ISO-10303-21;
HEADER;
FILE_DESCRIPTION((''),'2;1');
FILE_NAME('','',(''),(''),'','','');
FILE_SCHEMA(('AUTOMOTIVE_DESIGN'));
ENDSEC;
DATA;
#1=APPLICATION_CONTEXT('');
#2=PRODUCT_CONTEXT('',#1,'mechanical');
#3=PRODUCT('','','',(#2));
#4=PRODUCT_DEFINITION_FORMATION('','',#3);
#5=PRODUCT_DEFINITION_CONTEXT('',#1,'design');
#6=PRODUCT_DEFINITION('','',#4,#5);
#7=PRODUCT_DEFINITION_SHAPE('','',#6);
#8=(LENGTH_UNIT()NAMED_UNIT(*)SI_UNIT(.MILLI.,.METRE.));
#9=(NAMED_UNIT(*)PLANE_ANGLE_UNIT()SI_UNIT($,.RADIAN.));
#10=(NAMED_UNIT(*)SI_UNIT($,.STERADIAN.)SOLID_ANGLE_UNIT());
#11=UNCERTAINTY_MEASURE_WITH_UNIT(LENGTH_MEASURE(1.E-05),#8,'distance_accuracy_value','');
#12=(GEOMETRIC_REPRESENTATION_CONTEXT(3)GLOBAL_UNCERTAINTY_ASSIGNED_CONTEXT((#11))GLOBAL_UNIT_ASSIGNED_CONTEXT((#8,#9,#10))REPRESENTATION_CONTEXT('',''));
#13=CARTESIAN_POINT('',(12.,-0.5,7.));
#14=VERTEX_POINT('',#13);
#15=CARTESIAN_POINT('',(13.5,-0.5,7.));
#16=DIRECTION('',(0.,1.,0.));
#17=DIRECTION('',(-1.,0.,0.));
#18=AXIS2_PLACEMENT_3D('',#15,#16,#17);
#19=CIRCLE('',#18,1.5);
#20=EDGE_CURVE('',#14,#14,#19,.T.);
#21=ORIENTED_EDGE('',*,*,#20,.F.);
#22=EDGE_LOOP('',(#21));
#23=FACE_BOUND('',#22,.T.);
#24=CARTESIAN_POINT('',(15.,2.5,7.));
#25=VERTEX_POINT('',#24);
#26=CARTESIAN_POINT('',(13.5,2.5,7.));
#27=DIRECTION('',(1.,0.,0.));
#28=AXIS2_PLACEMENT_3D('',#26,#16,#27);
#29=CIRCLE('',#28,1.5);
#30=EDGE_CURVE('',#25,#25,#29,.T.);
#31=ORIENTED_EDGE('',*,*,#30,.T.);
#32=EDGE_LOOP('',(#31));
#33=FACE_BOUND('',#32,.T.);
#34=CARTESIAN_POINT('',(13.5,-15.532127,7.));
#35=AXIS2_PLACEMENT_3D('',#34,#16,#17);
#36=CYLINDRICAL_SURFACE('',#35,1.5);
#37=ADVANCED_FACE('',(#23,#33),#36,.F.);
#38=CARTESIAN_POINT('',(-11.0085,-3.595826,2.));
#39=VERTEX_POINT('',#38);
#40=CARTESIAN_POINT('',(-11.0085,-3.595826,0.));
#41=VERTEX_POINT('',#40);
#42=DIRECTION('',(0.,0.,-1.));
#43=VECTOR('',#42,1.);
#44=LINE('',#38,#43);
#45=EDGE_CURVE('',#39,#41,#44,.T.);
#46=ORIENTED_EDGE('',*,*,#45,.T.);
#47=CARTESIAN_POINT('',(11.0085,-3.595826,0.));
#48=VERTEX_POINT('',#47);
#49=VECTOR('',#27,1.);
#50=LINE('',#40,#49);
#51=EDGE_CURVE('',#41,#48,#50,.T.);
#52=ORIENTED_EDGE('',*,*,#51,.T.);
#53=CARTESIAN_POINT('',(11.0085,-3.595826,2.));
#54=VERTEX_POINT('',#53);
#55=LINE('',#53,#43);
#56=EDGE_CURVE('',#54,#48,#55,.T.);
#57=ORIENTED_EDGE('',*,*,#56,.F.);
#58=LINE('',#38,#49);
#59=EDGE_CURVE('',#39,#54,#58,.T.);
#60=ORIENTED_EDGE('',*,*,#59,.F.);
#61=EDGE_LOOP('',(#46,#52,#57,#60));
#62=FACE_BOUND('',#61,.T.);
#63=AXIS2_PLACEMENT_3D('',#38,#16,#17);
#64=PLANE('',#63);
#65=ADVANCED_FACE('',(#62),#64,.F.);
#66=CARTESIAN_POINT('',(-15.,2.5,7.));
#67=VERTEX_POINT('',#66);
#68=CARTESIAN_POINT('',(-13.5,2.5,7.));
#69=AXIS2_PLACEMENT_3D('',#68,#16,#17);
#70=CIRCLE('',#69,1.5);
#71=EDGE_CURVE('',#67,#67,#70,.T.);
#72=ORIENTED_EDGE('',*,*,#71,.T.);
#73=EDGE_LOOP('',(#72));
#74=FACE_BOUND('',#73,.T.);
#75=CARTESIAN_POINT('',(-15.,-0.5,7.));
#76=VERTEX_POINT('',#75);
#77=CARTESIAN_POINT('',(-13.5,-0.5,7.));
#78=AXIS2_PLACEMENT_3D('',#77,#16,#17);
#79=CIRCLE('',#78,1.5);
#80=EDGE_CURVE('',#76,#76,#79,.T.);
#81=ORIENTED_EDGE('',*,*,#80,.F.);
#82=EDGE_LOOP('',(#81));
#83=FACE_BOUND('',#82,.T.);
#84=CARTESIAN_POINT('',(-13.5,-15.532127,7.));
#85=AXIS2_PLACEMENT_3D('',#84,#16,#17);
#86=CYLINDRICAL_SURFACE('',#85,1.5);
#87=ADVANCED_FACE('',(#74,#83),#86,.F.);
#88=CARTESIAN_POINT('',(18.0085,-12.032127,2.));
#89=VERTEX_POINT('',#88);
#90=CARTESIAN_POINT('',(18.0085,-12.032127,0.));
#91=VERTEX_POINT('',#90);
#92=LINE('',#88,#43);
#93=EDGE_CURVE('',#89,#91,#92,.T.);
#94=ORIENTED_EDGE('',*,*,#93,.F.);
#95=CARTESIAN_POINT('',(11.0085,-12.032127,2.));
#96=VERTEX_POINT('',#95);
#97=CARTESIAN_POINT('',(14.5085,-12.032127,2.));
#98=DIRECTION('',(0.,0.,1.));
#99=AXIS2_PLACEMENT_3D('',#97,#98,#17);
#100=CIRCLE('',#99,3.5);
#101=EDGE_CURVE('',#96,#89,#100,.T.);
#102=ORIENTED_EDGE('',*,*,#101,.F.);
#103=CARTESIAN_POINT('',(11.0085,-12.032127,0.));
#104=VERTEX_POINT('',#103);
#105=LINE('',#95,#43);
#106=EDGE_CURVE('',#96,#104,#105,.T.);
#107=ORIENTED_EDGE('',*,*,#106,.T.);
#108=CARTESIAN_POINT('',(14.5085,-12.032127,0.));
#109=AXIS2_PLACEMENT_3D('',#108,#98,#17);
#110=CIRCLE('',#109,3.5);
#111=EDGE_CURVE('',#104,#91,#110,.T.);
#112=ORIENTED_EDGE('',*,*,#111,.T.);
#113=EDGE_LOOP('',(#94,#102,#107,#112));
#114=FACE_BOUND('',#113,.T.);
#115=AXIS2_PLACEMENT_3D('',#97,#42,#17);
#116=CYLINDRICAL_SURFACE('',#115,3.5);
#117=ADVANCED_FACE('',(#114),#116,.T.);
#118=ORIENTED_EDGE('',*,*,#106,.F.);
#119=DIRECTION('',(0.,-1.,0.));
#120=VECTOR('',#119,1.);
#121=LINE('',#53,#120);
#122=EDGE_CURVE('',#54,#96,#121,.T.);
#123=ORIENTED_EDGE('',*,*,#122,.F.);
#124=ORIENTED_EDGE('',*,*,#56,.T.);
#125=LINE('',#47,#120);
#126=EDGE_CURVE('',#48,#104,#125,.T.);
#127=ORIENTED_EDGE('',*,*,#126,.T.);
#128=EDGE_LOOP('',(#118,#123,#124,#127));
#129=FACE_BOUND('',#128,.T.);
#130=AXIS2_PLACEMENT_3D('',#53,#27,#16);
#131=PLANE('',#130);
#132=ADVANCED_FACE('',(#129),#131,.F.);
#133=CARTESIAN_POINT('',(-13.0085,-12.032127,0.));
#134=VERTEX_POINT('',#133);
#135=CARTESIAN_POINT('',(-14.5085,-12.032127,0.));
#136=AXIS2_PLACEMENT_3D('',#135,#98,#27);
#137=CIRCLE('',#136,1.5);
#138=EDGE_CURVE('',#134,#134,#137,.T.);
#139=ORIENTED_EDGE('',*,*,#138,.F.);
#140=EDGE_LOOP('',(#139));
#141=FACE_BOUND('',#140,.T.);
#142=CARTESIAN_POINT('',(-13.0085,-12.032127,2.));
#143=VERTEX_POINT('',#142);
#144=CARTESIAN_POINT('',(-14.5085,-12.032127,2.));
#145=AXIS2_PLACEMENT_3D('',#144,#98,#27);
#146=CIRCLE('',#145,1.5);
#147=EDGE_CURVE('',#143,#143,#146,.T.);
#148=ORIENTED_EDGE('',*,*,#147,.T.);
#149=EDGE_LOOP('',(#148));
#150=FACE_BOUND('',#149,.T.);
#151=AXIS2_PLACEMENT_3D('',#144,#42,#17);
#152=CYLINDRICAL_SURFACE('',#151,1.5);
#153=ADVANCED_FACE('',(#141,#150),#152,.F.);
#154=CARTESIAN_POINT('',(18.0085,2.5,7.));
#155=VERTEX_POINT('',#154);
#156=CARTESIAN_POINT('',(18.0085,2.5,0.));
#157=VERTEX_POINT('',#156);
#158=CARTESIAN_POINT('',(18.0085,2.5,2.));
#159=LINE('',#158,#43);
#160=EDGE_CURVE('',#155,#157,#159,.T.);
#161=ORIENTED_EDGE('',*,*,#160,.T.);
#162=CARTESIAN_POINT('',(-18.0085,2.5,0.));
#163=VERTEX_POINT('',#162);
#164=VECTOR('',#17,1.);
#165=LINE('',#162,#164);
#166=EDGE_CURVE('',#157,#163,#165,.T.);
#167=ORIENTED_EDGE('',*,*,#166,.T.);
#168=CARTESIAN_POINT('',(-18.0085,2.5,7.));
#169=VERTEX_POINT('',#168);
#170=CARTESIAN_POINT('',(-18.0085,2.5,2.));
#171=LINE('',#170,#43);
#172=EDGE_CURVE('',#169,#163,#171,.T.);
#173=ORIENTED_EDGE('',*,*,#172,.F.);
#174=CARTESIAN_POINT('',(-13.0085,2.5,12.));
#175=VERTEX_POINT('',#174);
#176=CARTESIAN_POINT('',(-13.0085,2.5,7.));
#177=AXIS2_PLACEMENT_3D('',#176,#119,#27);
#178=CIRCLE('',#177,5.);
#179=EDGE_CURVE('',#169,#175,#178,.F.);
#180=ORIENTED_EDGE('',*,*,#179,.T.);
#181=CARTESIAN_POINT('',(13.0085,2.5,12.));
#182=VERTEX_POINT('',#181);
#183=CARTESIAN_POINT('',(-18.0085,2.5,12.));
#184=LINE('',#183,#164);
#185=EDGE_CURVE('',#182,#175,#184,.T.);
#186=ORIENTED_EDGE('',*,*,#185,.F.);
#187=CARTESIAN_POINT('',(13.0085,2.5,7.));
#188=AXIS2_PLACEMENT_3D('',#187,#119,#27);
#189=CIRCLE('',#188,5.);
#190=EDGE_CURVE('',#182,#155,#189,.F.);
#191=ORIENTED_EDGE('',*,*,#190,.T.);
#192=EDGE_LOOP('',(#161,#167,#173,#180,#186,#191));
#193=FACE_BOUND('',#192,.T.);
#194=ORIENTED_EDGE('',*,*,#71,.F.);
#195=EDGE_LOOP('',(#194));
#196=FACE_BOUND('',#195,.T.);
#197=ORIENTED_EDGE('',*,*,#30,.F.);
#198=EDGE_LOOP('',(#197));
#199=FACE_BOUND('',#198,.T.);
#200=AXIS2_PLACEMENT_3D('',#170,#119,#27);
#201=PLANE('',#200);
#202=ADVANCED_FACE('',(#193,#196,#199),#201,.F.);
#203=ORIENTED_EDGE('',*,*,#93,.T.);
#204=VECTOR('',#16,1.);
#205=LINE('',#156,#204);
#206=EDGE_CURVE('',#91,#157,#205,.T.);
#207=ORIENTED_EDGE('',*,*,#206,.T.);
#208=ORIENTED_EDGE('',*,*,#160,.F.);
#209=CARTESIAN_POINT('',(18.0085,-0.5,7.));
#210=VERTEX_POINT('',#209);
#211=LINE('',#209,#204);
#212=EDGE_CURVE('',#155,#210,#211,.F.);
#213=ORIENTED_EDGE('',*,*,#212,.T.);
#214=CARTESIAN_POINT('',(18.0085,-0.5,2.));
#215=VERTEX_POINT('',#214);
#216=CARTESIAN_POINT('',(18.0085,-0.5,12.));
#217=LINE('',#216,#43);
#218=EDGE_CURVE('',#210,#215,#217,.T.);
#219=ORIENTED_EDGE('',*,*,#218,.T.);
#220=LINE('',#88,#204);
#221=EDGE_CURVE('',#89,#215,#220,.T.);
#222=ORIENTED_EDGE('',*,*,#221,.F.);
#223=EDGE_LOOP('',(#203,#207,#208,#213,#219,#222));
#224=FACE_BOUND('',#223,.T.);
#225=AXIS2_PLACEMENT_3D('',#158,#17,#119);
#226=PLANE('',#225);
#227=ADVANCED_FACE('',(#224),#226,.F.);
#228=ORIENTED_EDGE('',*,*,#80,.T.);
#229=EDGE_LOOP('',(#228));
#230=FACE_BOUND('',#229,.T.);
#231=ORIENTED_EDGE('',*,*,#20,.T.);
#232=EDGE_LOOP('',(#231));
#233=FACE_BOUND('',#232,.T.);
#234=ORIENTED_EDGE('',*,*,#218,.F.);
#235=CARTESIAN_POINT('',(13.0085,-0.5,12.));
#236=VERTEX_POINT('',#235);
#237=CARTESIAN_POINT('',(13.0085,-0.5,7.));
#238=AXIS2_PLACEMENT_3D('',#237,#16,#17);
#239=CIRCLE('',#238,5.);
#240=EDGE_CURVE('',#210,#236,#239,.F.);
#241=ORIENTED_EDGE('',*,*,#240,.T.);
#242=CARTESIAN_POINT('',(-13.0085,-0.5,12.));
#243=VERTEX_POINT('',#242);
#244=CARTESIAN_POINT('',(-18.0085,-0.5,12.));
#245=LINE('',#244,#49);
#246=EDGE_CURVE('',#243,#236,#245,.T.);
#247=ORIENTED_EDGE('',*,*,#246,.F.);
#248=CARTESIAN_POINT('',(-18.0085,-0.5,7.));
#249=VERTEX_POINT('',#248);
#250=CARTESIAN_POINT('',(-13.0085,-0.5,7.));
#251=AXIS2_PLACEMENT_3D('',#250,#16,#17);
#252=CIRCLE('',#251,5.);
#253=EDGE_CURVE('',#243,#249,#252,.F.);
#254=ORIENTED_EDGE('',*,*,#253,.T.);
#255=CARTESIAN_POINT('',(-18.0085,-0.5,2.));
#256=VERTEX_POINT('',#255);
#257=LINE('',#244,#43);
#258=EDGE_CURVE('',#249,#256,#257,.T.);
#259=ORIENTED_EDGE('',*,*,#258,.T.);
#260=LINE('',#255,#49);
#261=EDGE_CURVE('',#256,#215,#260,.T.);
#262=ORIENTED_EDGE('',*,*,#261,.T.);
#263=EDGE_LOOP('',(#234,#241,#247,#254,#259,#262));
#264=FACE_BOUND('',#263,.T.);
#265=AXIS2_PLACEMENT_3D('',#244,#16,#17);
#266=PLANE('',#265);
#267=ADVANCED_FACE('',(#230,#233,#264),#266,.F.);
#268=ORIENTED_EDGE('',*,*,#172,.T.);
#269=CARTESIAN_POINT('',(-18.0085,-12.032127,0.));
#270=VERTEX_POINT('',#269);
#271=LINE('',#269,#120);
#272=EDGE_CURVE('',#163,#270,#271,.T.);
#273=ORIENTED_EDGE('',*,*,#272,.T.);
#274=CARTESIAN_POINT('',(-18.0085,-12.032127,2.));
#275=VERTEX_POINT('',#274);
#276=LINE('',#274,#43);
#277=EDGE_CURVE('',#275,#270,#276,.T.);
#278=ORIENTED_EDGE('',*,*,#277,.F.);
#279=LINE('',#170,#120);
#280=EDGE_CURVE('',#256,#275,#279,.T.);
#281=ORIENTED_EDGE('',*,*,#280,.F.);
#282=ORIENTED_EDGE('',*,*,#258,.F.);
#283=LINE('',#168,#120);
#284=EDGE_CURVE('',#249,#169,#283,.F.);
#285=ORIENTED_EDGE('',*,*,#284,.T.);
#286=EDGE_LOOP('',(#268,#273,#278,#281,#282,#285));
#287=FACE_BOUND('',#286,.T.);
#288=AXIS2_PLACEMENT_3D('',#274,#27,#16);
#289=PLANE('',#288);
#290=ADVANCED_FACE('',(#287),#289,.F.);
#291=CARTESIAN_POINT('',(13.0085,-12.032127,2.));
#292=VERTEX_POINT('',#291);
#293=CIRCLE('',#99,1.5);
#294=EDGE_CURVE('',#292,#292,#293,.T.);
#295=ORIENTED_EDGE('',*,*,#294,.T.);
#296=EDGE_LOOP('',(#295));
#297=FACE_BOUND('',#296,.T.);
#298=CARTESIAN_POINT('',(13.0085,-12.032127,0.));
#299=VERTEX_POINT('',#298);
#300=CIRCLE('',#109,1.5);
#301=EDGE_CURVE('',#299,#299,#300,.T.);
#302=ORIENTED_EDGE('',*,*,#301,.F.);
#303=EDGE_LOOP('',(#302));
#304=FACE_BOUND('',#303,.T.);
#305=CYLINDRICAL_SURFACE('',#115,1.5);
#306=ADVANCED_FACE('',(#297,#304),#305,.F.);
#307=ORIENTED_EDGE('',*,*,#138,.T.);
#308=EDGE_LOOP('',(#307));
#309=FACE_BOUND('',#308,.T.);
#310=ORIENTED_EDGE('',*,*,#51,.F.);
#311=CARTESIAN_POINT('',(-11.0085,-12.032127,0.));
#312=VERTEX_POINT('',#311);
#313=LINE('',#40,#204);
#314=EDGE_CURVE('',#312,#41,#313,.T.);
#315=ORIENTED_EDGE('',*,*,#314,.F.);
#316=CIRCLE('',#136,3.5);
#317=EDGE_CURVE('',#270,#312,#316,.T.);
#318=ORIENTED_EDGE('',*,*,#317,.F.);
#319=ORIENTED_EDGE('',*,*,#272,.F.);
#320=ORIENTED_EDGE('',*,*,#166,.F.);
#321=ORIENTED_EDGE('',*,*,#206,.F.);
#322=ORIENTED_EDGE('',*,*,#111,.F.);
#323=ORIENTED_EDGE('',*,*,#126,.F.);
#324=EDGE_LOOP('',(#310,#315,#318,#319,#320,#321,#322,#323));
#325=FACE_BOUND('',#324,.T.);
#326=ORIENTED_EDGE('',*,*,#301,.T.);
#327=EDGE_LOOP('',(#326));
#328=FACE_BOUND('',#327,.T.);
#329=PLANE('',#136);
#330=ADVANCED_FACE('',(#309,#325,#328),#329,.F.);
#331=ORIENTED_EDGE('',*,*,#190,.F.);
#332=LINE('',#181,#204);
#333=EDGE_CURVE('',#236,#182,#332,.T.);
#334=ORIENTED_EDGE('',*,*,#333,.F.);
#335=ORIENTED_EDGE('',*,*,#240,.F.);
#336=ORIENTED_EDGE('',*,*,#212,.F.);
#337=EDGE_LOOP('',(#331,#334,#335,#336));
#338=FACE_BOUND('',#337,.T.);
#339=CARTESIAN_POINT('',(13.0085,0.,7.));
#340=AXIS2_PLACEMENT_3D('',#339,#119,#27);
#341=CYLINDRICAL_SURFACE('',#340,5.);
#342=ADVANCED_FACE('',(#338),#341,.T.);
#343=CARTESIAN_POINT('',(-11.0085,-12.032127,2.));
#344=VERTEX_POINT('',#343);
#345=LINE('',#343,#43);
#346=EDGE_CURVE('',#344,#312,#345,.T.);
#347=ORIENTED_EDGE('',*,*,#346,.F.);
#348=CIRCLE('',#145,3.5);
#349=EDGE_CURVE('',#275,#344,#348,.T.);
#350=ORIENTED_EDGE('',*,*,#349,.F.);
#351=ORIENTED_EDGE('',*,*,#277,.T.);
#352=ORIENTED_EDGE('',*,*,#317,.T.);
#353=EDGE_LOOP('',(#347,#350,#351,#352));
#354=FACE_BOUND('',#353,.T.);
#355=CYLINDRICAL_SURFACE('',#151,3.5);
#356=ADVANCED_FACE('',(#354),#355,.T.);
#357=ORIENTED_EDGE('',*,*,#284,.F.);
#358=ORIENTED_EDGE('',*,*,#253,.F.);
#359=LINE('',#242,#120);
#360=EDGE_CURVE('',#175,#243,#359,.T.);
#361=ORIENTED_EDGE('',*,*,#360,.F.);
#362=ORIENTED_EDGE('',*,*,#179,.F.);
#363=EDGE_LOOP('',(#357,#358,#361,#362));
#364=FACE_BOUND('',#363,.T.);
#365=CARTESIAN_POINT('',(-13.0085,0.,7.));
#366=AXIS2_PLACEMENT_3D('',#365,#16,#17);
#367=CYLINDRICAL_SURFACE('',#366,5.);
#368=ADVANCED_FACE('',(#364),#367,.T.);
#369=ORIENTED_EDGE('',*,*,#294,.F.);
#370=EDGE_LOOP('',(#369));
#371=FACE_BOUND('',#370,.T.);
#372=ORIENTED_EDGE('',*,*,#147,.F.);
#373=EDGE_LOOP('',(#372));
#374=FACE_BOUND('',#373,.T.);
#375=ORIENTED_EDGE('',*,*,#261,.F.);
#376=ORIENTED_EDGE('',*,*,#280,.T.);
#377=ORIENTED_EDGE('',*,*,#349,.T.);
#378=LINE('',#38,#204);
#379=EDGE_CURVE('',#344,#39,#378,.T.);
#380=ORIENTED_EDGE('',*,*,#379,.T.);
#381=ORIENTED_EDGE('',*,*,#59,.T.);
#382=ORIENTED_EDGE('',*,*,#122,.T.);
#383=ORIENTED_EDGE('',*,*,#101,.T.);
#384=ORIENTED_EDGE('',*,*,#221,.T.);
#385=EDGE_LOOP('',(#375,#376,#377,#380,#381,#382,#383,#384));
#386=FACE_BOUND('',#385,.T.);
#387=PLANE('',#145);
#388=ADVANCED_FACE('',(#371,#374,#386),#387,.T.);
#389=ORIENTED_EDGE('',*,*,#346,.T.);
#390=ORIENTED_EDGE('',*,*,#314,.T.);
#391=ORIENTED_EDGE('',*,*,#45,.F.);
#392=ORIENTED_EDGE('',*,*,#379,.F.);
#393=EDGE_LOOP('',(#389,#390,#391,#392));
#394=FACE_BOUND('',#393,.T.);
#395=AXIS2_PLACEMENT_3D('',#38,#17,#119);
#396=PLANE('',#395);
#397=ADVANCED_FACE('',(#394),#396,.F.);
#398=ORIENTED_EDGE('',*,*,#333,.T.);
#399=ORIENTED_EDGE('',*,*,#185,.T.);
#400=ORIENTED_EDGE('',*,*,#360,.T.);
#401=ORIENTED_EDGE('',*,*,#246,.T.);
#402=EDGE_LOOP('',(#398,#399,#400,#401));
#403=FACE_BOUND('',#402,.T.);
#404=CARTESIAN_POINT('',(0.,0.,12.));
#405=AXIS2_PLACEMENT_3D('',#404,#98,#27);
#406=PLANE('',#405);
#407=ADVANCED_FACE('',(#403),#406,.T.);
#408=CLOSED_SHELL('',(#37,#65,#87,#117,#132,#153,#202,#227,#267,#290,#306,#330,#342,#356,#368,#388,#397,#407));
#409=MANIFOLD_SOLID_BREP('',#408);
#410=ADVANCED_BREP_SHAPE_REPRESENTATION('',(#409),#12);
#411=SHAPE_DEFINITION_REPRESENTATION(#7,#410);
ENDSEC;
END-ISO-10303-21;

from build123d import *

# Parameters (mm, degrees)
SKETCH_1_R          = 1.5
EXTRUDE_1_DEPTH     = 2
SKETCH_2_W          = 36.017
SKETCH_2_H          = 3
EXTRUDE_2_DEPTH     = 10
SKETCH_3_R          = 1.5
CUT_EXTRUDE_1_DEPTH = 29.168487204
FILLET_1_R          = 5


with BuildPart() as part:
    # 草图1 → 凸台-拉伸1 (new body)
    with BuildSketch(Plane.XY):
        with BuildLine():
            Line((-18.0085, 2.5), (18.0085, 2.5))
            Line((18.0085, 2.5), (18.0085, -2.5))
            Line((18.0085, -2.5), (18.0085, -12.032126861))
            ThreePointArc((18.0085, -12.032126861), (14.5085, -15.532126861), (11.0085, -12.032126861))
            Line((11.0085, -12.032126861), (11.0085, -3.595826486))
            Line((11.0085, -3.595826486), (-11.0085, -3.595826486))
            Line((-11.0085, -3.595826486), (-11.0085, -12.032126861))
            ThreePointArc((-11.0085, -12.032126861), (-14.5085, -15.532126861), (-18.0085, -12.032126861))
            Line((-18.0085, -12.032126861), (-18.0085, -2.5))
            Line((-18.0085, -2.5), (-18.0085, 2.5))
        make_face()
        with Locations((-14.5085, -12.032126861)):
            Circle(SKETCH_1_R, mode=Mode.SUBTRACT)
        with Locations(Location((14.5085, -12.032126861, 0), (0, 0, 180))):
            Circle(SKETCH_1_R, mode=Mode.SUBTRACT)
    extrude(amount=EXTRUDE_1_DEPTH)

    # 草图2 → 凸台-拉伸2 (add)
    with BuildSketch(Plane.XY.offset(2)):
        with Locations((0, 1)):
            Rectangle(SKETCH_2_W, SKETCH_2_H)
    extrude(amount=EXTRUDE_2_DEPTH)

    # 草图3 → 切除-拉伸1 (cut, through all)
    with BuildSketch(Plane(origin=(0, 2.5, 0), x_dir=(1, 0, 0), z_dir=(0, 1, 0))):
        with Locations(Location((-13.5, -7, 0), (0, 0, 180))):
            Circle(SKETCH_3_R)
        with Locations(Location((13.5, -7, 0), (0, 0, 180))):
            Circle(SKETCH_3_R)
    extrude(amount=-CUT_EXTRUDE_1_DEPTH, mode=Mode.SUBTRACT)

    # 圆角1
    fillet_1_edges = [part.edges().sort_by_distance(p)[0] for p in [
        (-18.0085, 1, 12),
        (18.0085, 1, 12),
    ]]
    fillet(fillet_1_edges, radius=FILLET_1_R)


solid = part.part
